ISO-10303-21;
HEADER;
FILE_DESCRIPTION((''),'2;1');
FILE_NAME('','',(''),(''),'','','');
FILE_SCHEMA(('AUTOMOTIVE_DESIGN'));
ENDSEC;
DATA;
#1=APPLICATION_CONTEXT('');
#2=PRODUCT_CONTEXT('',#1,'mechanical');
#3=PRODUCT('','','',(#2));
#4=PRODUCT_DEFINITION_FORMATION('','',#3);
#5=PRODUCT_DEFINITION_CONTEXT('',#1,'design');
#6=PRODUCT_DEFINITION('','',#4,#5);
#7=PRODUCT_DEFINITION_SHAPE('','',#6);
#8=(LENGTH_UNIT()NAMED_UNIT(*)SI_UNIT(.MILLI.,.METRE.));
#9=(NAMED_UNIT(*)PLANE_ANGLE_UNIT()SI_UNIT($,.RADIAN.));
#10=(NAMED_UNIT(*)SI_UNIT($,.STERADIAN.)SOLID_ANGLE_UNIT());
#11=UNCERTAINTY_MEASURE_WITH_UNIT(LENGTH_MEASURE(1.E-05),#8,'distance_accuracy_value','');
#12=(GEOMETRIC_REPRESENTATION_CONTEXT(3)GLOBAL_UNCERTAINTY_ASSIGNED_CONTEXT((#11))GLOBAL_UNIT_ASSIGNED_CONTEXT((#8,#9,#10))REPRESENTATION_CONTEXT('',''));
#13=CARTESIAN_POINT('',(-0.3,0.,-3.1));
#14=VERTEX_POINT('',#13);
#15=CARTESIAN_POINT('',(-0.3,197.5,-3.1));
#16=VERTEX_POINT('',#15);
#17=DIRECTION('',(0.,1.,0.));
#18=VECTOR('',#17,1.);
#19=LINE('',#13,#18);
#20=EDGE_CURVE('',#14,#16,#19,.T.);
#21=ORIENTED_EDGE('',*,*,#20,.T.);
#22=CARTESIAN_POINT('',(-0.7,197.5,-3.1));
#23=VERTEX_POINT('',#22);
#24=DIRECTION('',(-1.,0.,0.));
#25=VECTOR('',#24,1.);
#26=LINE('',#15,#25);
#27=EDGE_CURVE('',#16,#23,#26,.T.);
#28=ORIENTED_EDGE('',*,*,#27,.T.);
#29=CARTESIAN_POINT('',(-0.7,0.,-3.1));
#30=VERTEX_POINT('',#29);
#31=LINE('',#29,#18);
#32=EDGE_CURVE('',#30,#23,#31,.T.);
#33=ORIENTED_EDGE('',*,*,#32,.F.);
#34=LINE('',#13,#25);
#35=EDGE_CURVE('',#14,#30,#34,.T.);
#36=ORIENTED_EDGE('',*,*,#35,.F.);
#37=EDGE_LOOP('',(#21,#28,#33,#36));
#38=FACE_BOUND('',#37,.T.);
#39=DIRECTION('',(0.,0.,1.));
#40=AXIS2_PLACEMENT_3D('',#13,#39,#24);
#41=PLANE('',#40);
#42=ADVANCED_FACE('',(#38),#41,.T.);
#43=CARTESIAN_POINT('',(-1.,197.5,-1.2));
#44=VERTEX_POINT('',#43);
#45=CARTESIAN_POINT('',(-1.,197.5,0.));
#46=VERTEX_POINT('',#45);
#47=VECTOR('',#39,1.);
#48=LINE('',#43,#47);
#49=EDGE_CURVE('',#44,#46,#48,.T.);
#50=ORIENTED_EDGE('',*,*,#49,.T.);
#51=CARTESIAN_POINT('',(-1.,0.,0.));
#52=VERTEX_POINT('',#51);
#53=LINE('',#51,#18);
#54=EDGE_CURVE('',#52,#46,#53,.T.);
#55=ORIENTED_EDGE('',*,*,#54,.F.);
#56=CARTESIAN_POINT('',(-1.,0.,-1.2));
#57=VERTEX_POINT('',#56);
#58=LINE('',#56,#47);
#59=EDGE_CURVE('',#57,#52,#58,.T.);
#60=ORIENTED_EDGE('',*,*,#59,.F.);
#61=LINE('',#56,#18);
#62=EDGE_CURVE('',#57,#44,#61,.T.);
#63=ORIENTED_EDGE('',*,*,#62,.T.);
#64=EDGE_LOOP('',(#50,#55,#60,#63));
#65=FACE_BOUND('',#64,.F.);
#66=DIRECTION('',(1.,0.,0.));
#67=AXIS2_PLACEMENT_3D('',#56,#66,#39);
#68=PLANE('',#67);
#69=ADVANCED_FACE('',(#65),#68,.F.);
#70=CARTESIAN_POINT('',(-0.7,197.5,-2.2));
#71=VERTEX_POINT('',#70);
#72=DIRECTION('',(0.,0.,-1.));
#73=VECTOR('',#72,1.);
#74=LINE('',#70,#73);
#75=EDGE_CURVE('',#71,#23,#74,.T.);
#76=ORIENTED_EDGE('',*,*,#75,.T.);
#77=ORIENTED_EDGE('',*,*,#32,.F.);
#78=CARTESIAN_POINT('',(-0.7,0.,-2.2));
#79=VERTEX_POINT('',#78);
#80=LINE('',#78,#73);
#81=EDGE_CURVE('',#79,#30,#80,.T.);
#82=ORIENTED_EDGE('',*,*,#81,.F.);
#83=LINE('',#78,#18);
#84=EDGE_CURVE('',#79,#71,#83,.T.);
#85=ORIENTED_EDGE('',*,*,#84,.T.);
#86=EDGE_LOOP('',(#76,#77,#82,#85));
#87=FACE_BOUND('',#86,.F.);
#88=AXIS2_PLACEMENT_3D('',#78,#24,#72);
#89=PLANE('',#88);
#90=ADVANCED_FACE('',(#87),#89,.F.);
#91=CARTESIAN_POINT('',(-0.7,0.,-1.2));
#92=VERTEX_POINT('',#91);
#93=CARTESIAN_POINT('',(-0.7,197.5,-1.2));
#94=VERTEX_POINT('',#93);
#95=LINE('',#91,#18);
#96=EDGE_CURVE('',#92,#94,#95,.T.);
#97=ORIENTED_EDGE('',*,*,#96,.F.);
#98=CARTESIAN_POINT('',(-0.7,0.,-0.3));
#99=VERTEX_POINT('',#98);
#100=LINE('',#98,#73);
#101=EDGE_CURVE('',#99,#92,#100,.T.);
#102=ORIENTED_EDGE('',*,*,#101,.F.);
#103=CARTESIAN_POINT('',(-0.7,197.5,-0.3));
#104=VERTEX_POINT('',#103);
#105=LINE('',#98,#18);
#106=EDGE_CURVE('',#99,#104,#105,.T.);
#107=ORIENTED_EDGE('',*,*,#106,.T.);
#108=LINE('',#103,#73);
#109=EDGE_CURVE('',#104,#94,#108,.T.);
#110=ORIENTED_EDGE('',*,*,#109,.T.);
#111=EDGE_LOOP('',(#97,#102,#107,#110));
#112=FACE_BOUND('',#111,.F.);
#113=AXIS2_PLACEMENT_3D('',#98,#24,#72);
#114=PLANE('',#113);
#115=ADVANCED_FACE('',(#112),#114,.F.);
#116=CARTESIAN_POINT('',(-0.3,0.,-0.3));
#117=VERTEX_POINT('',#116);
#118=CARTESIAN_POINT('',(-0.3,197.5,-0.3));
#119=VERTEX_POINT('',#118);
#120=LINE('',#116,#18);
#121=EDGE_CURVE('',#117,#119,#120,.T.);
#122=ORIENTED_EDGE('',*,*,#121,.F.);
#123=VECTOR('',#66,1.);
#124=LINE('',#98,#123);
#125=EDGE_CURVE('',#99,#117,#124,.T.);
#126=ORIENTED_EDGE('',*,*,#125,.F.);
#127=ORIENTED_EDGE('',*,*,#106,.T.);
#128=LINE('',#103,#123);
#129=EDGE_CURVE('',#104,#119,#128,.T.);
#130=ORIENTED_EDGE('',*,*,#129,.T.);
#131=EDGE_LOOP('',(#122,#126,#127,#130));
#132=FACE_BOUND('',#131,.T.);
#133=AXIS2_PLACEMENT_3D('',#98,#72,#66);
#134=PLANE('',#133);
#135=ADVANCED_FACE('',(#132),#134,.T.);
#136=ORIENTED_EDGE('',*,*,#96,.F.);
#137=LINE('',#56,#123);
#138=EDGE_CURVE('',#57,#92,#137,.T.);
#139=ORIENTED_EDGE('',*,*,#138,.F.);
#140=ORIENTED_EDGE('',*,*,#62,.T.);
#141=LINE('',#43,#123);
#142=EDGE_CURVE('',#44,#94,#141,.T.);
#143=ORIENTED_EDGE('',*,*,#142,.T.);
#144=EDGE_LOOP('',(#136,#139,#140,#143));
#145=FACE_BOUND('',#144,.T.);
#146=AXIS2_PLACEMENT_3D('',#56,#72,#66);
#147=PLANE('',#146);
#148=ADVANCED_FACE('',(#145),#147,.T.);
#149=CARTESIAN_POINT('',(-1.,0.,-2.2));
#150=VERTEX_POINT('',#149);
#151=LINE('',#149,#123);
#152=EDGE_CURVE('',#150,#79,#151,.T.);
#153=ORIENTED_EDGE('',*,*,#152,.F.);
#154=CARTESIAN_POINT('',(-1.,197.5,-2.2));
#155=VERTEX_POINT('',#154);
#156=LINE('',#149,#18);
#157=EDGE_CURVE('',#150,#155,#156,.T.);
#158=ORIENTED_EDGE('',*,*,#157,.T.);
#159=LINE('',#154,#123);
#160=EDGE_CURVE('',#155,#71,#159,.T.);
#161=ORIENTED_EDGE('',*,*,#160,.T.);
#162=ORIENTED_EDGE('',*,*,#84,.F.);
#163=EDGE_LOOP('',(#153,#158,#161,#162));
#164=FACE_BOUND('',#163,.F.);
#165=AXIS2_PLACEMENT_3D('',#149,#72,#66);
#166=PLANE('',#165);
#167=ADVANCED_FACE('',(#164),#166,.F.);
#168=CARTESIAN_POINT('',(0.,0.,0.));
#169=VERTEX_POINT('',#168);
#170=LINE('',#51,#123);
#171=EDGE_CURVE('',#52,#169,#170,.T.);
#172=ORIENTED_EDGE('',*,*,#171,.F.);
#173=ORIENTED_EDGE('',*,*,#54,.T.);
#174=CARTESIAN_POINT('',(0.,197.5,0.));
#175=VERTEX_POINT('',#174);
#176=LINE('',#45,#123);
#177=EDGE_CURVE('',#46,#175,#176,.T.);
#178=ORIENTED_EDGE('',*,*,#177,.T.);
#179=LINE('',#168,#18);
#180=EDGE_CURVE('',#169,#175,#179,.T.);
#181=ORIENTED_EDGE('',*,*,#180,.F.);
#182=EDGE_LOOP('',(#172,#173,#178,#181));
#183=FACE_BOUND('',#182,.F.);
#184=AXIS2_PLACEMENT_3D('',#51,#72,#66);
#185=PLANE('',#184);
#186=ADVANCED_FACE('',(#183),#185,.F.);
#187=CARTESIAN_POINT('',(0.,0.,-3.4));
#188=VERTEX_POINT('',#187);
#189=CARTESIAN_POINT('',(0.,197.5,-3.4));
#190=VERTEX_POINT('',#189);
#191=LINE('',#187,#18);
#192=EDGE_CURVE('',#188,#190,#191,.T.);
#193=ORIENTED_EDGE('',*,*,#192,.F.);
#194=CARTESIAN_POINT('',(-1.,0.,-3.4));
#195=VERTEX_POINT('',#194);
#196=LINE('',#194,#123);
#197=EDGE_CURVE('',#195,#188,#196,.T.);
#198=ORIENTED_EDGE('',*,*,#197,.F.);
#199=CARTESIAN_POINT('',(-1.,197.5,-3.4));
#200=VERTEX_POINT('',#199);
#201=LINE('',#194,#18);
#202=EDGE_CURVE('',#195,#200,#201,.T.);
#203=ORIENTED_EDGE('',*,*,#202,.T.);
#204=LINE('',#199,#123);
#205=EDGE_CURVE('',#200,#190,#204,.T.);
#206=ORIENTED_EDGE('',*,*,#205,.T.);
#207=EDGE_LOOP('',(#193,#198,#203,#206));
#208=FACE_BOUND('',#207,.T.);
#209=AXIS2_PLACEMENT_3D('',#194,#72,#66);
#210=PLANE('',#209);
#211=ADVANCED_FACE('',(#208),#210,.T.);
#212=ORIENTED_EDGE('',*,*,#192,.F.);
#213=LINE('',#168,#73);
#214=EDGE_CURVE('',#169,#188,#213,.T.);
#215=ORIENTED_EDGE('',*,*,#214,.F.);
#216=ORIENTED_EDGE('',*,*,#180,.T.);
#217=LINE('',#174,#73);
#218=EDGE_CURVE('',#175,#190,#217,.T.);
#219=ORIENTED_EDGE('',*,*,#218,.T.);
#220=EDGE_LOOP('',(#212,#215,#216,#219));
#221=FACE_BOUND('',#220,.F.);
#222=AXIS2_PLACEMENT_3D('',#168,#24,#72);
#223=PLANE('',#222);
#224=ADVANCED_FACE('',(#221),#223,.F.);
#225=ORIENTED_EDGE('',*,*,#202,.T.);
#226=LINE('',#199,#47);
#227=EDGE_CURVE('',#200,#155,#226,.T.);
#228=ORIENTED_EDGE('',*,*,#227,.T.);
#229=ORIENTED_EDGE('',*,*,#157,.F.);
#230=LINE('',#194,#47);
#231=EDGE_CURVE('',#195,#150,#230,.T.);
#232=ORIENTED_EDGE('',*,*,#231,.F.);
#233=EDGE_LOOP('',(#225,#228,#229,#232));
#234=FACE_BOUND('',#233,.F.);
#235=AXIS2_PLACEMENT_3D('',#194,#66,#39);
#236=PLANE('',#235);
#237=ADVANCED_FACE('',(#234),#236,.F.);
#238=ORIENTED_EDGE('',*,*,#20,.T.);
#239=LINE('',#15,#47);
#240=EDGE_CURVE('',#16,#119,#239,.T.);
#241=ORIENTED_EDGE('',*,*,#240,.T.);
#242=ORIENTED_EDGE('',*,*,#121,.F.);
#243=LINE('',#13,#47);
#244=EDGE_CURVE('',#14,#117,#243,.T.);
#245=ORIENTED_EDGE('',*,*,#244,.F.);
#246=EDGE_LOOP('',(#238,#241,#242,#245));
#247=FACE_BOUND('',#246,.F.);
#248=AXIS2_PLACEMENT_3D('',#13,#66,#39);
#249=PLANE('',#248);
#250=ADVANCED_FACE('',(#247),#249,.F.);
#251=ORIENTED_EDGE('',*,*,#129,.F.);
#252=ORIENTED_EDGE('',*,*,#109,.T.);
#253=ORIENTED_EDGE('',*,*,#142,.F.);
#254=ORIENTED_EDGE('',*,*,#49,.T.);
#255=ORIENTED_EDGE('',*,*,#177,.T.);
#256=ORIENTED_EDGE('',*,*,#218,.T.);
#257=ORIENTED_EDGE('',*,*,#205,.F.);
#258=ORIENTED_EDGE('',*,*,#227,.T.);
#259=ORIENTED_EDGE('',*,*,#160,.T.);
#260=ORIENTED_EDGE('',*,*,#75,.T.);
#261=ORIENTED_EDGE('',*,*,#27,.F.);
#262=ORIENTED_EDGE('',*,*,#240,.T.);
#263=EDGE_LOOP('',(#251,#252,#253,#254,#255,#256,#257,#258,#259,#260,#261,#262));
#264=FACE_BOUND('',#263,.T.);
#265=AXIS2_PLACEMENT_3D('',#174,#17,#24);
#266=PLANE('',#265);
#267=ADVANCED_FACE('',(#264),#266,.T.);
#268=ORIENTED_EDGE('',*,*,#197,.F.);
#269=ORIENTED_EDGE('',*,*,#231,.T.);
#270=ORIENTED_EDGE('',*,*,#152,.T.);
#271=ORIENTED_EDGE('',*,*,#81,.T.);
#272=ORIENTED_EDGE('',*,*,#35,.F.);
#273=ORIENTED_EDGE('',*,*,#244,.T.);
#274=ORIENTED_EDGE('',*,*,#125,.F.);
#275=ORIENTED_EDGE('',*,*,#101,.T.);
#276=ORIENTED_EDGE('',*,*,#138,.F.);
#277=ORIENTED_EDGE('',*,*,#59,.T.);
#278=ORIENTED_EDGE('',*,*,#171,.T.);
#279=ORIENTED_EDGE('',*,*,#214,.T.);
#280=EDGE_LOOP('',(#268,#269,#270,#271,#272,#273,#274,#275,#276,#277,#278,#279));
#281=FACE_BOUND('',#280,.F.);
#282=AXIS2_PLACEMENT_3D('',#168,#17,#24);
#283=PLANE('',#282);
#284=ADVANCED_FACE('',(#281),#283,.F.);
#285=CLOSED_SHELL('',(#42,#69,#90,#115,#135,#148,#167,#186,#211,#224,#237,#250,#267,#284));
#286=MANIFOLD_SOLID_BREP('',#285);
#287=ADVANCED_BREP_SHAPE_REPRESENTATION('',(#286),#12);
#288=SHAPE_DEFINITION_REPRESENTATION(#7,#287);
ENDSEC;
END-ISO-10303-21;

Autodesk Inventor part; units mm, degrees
ref_plane "YZ Plane" through (0, 0, 0) normal (1, 0, 0) x (0, 1, 0)
ref_plane "XZ Plane" through (0, 0, 0) normal (0, 1, 0) x (-1, 0, 0)
ref_plane "XY Plane" through (0, 0, 0) normal (0, 0, 1) x (1, 0, 0)
sketch "Skizze2" plane through (0, 0, 0) normal (0, 1, 0) x (-1, 0, 0)
  line L0 (0, 0) -> (1, 0) construction
  line L1 (1, 0) -> (1, -3.4) construction
  line L2 (1, -3.4) -> (0, -3.4) construction
  line L3 (0, -3.4) -> (0, 0) construction
  line L4 (0.7, -3.1) -> (0.7, -0.3) construction
  line L5 (0.7, -0.3) -> (0.3, -0.3) construction
  line L6 (0.3, -0.3) -> (0.3, -3.1) construction
  line L7 (0.3, -3.1) -> (0.7, -3.1) construction
  line L8 (1, -1.7) -> (0, -1.7) construction
  line L9 (1, -1.2) -> (0.7, -1.2)
  line L10 (1, -2.2) -> (0.7, -2.2)
  line L11 (1, -1.2) -> (1, 0)
  line L12 (0, 0) -> (0, -3.4)
  line L13 (1, -3.4) -> (1, -2.2)
  line L14 (0.7, -2.2) -> (0.7, -3.1)
  line L15 (0.3, -3.1) -> (0.3, -0.3)
  line L16 (0.7, -0.3) -> (0.7, -1.2)
  line L17 (0.7, -0.3) -> (0.3, -0.3)
  line L18 (1, 0) -> (0, 0)
  line L19 (0.3, -3.1) -> (0.7, -3.1)
  line L20 (1, -3.4) -> (0, -3.4)
  dimension "d0" = 1
  dimension "d1" = 3.4
  dimension "d2" = 0.3
  dimension "d3" = 0.5
  dimension "d4" = 0.5
extrude "Extrusion1" add sketch "Skizze2" along normal blind 197.5
equation "\"Biegeradius\" = Stärke"
equation "\"BreiteBiegungsfreistellung\" = Stärke"
equation "\"TiefeBiegungsfreistellung\" = 0.5 * Stärke"
equation "\"GrößeEckenfreistellung\" = 4 * Stärke"
equation "\"MinimalRest\" = 2 * Stärke"
equation "\"Übergangsradius\" = Biegeradius"
equation "\"JacobiRadiusGröße\" = Biegeradius"
equation "\"Abstandsgröße\" = Stärke"
equation "\"Stärke\" = 0.5"
properties part number "Boden_airline_eckig"
